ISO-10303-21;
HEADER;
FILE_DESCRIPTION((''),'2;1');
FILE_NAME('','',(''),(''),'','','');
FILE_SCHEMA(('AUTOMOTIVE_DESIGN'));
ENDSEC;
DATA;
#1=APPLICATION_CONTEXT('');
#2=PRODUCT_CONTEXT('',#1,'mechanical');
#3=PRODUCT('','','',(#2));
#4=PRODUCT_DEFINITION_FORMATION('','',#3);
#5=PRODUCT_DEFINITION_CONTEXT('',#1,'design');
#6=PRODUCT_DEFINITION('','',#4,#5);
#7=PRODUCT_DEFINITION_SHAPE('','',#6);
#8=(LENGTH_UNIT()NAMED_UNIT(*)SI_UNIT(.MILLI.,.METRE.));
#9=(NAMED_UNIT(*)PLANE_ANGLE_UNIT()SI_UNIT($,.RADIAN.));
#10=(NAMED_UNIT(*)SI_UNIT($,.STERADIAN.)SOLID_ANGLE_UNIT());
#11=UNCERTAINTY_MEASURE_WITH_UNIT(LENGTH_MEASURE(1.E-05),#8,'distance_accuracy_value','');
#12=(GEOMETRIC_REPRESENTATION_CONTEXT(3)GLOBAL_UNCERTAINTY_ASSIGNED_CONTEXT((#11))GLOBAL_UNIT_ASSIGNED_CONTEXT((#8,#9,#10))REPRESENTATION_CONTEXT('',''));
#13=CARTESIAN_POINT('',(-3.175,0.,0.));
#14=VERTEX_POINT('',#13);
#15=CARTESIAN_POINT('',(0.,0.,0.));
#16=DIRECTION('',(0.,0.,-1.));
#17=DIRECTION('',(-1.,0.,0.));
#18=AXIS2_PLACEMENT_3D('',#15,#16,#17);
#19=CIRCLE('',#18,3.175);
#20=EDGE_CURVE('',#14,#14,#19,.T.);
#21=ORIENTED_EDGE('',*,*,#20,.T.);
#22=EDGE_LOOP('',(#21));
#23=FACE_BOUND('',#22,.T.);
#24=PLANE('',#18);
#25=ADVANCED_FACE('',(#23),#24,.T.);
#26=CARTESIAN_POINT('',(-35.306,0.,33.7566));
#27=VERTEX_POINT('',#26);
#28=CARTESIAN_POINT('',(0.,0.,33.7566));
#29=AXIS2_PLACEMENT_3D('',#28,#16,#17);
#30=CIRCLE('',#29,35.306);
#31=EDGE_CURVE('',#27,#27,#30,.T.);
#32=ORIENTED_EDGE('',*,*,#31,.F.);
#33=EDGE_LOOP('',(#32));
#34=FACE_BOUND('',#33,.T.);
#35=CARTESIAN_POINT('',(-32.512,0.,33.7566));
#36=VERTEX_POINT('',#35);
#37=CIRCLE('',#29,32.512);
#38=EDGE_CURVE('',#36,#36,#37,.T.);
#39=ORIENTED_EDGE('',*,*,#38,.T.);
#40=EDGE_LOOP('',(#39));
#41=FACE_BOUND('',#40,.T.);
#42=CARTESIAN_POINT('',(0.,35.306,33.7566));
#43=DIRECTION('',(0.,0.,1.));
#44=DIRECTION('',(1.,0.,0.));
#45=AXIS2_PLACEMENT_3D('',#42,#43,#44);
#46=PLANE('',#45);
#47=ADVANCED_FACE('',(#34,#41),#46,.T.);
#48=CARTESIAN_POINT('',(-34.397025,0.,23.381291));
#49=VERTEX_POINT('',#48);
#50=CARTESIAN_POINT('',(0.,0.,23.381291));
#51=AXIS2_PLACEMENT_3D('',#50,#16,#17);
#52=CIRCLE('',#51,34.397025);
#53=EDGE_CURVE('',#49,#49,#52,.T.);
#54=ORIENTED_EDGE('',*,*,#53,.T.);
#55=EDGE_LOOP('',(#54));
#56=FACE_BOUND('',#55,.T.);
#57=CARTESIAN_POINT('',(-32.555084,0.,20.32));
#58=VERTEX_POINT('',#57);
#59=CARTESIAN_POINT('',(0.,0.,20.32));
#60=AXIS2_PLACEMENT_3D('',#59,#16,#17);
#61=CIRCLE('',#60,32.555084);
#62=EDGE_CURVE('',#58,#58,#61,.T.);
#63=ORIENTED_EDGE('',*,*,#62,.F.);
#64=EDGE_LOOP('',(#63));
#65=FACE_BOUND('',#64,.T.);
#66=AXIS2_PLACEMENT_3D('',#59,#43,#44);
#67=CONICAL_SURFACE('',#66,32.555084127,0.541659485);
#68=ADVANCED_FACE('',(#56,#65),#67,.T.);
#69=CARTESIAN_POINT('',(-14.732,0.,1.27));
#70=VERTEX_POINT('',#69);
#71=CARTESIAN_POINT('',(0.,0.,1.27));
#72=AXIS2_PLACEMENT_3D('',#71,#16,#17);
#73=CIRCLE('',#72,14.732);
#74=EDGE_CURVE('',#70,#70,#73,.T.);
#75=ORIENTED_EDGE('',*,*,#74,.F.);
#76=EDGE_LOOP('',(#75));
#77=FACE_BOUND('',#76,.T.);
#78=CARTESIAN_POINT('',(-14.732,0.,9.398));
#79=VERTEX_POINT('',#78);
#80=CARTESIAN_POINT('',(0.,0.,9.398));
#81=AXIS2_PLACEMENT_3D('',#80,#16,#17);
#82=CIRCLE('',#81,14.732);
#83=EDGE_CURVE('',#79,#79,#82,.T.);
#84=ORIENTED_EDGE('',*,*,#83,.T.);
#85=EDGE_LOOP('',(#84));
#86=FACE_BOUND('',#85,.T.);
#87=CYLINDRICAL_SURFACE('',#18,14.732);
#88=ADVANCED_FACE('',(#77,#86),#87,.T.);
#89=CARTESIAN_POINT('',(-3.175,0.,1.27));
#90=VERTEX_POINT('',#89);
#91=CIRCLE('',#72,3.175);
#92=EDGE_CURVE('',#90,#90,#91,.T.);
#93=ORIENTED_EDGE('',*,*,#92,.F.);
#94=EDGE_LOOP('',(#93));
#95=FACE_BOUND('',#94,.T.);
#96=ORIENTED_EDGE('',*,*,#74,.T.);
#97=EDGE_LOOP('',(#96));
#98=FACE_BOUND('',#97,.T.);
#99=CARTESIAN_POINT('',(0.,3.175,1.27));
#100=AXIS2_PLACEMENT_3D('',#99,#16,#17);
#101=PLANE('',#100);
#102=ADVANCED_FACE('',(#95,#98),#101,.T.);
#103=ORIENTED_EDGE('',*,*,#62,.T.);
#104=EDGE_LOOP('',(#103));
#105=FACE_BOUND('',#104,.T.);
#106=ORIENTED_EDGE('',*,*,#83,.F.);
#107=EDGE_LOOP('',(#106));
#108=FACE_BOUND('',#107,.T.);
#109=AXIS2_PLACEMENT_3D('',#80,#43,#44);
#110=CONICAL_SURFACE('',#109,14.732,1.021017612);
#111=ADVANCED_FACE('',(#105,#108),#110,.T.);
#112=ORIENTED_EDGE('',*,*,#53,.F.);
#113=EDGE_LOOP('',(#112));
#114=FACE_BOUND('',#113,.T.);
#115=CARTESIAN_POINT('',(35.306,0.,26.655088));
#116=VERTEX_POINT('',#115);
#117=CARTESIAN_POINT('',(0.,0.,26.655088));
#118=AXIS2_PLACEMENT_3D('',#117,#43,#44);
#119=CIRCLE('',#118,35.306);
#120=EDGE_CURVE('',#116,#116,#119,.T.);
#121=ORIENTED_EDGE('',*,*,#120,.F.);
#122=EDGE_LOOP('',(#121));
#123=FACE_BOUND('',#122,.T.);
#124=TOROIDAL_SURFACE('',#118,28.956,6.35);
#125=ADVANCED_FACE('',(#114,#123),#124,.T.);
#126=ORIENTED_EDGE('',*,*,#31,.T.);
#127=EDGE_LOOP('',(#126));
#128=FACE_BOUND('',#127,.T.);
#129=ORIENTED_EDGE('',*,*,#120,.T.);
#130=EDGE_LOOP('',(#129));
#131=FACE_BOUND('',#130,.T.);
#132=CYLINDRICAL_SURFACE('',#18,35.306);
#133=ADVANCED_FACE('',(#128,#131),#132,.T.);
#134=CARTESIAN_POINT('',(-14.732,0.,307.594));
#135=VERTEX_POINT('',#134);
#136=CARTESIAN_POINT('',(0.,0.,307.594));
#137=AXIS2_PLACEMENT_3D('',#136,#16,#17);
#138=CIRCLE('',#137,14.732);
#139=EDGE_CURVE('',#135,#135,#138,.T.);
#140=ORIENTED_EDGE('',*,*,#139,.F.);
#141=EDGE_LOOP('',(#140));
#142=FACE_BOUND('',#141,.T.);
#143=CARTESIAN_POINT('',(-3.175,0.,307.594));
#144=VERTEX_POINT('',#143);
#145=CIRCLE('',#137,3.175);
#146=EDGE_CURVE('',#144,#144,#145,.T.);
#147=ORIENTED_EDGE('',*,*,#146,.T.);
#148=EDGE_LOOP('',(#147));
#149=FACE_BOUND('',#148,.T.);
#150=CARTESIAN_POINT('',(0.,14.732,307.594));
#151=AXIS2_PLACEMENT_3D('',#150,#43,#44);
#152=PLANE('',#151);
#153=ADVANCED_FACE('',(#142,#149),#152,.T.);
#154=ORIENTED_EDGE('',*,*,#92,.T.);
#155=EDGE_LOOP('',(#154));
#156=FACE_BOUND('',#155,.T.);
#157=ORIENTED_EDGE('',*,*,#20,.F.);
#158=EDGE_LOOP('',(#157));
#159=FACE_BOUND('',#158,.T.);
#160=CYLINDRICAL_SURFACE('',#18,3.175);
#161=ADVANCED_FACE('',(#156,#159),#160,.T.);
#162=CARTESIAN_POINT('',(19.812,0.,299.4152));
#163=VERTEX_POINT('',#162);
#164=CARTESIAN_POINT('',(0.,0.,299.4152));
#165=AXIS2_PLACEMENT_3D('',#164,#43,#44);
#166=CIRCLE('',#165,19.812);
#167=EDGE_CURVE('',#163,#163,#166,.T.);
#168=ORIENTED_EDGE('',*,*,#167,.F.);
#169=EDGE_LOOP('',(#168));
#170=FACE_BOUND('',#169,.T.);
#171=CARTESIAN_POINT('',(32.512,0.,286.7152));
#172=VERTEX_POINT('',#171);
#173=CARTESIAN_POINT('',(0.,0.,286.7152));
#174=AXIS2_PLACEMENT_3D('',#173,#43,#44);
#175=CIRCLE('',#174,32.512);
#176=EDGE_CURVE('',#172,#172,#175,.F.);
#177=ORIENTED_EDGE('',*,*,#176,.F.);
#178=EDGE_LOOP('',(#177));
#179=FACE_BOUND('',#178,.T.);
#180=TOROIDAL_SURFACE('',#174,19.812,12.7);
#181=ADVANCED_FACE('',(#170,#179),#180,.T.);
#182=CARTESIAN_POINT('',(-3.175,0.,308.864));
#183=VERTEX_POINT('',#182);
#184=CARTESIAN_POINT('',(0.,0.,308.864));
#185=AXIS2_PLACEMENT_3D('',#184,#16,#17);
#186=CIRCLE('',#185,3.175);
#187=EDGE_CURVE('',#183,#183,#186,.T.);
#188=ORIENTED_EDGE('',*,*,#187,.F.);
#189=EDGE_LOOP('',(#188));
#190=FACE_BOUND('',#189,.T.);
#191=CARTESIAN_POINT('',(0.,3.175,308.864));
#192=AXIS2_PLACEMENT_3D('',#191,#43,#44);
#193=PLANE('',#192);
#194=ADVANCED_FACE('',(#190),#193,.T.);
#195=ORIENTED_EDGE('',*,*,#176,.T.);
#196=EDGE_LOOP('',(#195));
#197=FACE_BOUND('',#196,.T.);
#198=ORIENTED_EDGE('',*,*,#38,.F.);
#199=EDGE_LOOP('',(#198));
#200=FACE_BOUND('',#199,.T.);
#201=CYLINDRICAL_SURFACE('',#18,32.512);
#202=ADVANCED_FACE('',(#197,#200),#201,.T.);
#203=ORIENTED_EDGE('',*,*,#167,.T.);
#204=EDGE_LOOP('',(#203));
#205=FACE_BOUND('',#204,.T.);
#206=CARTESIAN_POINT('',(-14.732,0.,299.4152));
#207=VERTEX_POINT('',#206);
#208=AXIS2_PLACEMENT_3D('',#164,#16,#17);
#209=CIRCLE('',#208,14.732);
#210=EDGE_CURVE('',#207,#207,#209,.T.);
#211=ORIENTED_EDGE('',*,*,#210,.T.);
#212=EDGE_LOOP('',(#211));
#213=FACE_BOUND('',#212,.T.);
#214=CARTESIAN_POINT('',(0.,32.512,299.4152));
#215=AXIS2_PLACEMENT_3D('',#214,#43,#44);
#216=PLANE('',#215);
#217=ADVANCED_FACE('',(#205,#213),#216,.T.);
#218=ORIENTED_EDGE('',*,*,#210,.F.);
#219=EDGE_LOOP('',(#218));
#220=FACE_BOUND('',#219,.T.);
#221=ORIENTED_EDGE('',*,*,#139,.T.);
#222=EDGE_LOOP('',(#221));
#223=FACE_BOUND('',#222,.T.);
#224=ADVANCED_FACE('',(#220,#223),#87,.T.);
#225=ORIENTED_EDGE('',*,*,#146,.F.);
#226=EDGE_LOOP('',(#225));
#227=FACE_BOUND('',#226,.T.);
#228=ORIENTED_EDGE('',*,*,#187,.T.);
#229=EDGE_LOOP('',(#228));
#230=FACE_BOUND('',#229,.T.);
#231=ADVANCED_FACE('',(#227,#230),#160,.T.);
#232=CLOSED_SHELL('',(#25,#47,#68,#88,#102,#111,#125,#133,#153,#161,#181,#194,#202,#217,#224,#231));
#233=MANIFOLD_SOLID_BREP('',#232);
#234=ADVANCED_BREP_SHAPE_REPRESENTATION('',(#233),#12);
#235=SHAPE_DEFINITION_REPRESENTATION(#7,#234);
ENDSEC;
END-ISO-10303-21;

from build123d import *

# Parameters (mm, degrees)
FILLET1_R = 12.7
FILLET2_R = 6.35


with BuildPart() as part:
    # Sketch1 → Revolve1 (revolve)
    with BuildSketch(Plane(origin=(0, 0, 0), x_dir=(0, 0, -1), z_dir=(1, 0, 0))):
        Polygon((0, 0), (0, 3.175), (-1.27, 3.175), (-1.27, 14.732), (-9.398, 14.732), (-20.32, 32.555084127), (-24.892, 35.306), (-33.7566, 35.306), (-33.7566, 32.512), (-299.4152, 32.512), (-299.4152, 14.732), (-307.594, 14.732), (-307.594, 3.175), (-308.864, 3.175), (-308.864, 0), align=None)
    revolve(axis=Axis((0, 0, 0), (0, 0, 1)))

    # Fillet1
    fillet1_edges = [part.edges().sort_by_distance(p)[0] for p in [
        (0, -32.512, 299.4152),
    ]]
    fillet(fillet1_edges, radius=FILLET1_R)

    # Fillet2
    fillet2_edges = [part.edges().sort_by_distance(p)[0] for p in [
        (0, -35.306, 24.892),
    ]]
    fillet(fillet2_edges, radius=FILLET2_R)


solid = part.part
